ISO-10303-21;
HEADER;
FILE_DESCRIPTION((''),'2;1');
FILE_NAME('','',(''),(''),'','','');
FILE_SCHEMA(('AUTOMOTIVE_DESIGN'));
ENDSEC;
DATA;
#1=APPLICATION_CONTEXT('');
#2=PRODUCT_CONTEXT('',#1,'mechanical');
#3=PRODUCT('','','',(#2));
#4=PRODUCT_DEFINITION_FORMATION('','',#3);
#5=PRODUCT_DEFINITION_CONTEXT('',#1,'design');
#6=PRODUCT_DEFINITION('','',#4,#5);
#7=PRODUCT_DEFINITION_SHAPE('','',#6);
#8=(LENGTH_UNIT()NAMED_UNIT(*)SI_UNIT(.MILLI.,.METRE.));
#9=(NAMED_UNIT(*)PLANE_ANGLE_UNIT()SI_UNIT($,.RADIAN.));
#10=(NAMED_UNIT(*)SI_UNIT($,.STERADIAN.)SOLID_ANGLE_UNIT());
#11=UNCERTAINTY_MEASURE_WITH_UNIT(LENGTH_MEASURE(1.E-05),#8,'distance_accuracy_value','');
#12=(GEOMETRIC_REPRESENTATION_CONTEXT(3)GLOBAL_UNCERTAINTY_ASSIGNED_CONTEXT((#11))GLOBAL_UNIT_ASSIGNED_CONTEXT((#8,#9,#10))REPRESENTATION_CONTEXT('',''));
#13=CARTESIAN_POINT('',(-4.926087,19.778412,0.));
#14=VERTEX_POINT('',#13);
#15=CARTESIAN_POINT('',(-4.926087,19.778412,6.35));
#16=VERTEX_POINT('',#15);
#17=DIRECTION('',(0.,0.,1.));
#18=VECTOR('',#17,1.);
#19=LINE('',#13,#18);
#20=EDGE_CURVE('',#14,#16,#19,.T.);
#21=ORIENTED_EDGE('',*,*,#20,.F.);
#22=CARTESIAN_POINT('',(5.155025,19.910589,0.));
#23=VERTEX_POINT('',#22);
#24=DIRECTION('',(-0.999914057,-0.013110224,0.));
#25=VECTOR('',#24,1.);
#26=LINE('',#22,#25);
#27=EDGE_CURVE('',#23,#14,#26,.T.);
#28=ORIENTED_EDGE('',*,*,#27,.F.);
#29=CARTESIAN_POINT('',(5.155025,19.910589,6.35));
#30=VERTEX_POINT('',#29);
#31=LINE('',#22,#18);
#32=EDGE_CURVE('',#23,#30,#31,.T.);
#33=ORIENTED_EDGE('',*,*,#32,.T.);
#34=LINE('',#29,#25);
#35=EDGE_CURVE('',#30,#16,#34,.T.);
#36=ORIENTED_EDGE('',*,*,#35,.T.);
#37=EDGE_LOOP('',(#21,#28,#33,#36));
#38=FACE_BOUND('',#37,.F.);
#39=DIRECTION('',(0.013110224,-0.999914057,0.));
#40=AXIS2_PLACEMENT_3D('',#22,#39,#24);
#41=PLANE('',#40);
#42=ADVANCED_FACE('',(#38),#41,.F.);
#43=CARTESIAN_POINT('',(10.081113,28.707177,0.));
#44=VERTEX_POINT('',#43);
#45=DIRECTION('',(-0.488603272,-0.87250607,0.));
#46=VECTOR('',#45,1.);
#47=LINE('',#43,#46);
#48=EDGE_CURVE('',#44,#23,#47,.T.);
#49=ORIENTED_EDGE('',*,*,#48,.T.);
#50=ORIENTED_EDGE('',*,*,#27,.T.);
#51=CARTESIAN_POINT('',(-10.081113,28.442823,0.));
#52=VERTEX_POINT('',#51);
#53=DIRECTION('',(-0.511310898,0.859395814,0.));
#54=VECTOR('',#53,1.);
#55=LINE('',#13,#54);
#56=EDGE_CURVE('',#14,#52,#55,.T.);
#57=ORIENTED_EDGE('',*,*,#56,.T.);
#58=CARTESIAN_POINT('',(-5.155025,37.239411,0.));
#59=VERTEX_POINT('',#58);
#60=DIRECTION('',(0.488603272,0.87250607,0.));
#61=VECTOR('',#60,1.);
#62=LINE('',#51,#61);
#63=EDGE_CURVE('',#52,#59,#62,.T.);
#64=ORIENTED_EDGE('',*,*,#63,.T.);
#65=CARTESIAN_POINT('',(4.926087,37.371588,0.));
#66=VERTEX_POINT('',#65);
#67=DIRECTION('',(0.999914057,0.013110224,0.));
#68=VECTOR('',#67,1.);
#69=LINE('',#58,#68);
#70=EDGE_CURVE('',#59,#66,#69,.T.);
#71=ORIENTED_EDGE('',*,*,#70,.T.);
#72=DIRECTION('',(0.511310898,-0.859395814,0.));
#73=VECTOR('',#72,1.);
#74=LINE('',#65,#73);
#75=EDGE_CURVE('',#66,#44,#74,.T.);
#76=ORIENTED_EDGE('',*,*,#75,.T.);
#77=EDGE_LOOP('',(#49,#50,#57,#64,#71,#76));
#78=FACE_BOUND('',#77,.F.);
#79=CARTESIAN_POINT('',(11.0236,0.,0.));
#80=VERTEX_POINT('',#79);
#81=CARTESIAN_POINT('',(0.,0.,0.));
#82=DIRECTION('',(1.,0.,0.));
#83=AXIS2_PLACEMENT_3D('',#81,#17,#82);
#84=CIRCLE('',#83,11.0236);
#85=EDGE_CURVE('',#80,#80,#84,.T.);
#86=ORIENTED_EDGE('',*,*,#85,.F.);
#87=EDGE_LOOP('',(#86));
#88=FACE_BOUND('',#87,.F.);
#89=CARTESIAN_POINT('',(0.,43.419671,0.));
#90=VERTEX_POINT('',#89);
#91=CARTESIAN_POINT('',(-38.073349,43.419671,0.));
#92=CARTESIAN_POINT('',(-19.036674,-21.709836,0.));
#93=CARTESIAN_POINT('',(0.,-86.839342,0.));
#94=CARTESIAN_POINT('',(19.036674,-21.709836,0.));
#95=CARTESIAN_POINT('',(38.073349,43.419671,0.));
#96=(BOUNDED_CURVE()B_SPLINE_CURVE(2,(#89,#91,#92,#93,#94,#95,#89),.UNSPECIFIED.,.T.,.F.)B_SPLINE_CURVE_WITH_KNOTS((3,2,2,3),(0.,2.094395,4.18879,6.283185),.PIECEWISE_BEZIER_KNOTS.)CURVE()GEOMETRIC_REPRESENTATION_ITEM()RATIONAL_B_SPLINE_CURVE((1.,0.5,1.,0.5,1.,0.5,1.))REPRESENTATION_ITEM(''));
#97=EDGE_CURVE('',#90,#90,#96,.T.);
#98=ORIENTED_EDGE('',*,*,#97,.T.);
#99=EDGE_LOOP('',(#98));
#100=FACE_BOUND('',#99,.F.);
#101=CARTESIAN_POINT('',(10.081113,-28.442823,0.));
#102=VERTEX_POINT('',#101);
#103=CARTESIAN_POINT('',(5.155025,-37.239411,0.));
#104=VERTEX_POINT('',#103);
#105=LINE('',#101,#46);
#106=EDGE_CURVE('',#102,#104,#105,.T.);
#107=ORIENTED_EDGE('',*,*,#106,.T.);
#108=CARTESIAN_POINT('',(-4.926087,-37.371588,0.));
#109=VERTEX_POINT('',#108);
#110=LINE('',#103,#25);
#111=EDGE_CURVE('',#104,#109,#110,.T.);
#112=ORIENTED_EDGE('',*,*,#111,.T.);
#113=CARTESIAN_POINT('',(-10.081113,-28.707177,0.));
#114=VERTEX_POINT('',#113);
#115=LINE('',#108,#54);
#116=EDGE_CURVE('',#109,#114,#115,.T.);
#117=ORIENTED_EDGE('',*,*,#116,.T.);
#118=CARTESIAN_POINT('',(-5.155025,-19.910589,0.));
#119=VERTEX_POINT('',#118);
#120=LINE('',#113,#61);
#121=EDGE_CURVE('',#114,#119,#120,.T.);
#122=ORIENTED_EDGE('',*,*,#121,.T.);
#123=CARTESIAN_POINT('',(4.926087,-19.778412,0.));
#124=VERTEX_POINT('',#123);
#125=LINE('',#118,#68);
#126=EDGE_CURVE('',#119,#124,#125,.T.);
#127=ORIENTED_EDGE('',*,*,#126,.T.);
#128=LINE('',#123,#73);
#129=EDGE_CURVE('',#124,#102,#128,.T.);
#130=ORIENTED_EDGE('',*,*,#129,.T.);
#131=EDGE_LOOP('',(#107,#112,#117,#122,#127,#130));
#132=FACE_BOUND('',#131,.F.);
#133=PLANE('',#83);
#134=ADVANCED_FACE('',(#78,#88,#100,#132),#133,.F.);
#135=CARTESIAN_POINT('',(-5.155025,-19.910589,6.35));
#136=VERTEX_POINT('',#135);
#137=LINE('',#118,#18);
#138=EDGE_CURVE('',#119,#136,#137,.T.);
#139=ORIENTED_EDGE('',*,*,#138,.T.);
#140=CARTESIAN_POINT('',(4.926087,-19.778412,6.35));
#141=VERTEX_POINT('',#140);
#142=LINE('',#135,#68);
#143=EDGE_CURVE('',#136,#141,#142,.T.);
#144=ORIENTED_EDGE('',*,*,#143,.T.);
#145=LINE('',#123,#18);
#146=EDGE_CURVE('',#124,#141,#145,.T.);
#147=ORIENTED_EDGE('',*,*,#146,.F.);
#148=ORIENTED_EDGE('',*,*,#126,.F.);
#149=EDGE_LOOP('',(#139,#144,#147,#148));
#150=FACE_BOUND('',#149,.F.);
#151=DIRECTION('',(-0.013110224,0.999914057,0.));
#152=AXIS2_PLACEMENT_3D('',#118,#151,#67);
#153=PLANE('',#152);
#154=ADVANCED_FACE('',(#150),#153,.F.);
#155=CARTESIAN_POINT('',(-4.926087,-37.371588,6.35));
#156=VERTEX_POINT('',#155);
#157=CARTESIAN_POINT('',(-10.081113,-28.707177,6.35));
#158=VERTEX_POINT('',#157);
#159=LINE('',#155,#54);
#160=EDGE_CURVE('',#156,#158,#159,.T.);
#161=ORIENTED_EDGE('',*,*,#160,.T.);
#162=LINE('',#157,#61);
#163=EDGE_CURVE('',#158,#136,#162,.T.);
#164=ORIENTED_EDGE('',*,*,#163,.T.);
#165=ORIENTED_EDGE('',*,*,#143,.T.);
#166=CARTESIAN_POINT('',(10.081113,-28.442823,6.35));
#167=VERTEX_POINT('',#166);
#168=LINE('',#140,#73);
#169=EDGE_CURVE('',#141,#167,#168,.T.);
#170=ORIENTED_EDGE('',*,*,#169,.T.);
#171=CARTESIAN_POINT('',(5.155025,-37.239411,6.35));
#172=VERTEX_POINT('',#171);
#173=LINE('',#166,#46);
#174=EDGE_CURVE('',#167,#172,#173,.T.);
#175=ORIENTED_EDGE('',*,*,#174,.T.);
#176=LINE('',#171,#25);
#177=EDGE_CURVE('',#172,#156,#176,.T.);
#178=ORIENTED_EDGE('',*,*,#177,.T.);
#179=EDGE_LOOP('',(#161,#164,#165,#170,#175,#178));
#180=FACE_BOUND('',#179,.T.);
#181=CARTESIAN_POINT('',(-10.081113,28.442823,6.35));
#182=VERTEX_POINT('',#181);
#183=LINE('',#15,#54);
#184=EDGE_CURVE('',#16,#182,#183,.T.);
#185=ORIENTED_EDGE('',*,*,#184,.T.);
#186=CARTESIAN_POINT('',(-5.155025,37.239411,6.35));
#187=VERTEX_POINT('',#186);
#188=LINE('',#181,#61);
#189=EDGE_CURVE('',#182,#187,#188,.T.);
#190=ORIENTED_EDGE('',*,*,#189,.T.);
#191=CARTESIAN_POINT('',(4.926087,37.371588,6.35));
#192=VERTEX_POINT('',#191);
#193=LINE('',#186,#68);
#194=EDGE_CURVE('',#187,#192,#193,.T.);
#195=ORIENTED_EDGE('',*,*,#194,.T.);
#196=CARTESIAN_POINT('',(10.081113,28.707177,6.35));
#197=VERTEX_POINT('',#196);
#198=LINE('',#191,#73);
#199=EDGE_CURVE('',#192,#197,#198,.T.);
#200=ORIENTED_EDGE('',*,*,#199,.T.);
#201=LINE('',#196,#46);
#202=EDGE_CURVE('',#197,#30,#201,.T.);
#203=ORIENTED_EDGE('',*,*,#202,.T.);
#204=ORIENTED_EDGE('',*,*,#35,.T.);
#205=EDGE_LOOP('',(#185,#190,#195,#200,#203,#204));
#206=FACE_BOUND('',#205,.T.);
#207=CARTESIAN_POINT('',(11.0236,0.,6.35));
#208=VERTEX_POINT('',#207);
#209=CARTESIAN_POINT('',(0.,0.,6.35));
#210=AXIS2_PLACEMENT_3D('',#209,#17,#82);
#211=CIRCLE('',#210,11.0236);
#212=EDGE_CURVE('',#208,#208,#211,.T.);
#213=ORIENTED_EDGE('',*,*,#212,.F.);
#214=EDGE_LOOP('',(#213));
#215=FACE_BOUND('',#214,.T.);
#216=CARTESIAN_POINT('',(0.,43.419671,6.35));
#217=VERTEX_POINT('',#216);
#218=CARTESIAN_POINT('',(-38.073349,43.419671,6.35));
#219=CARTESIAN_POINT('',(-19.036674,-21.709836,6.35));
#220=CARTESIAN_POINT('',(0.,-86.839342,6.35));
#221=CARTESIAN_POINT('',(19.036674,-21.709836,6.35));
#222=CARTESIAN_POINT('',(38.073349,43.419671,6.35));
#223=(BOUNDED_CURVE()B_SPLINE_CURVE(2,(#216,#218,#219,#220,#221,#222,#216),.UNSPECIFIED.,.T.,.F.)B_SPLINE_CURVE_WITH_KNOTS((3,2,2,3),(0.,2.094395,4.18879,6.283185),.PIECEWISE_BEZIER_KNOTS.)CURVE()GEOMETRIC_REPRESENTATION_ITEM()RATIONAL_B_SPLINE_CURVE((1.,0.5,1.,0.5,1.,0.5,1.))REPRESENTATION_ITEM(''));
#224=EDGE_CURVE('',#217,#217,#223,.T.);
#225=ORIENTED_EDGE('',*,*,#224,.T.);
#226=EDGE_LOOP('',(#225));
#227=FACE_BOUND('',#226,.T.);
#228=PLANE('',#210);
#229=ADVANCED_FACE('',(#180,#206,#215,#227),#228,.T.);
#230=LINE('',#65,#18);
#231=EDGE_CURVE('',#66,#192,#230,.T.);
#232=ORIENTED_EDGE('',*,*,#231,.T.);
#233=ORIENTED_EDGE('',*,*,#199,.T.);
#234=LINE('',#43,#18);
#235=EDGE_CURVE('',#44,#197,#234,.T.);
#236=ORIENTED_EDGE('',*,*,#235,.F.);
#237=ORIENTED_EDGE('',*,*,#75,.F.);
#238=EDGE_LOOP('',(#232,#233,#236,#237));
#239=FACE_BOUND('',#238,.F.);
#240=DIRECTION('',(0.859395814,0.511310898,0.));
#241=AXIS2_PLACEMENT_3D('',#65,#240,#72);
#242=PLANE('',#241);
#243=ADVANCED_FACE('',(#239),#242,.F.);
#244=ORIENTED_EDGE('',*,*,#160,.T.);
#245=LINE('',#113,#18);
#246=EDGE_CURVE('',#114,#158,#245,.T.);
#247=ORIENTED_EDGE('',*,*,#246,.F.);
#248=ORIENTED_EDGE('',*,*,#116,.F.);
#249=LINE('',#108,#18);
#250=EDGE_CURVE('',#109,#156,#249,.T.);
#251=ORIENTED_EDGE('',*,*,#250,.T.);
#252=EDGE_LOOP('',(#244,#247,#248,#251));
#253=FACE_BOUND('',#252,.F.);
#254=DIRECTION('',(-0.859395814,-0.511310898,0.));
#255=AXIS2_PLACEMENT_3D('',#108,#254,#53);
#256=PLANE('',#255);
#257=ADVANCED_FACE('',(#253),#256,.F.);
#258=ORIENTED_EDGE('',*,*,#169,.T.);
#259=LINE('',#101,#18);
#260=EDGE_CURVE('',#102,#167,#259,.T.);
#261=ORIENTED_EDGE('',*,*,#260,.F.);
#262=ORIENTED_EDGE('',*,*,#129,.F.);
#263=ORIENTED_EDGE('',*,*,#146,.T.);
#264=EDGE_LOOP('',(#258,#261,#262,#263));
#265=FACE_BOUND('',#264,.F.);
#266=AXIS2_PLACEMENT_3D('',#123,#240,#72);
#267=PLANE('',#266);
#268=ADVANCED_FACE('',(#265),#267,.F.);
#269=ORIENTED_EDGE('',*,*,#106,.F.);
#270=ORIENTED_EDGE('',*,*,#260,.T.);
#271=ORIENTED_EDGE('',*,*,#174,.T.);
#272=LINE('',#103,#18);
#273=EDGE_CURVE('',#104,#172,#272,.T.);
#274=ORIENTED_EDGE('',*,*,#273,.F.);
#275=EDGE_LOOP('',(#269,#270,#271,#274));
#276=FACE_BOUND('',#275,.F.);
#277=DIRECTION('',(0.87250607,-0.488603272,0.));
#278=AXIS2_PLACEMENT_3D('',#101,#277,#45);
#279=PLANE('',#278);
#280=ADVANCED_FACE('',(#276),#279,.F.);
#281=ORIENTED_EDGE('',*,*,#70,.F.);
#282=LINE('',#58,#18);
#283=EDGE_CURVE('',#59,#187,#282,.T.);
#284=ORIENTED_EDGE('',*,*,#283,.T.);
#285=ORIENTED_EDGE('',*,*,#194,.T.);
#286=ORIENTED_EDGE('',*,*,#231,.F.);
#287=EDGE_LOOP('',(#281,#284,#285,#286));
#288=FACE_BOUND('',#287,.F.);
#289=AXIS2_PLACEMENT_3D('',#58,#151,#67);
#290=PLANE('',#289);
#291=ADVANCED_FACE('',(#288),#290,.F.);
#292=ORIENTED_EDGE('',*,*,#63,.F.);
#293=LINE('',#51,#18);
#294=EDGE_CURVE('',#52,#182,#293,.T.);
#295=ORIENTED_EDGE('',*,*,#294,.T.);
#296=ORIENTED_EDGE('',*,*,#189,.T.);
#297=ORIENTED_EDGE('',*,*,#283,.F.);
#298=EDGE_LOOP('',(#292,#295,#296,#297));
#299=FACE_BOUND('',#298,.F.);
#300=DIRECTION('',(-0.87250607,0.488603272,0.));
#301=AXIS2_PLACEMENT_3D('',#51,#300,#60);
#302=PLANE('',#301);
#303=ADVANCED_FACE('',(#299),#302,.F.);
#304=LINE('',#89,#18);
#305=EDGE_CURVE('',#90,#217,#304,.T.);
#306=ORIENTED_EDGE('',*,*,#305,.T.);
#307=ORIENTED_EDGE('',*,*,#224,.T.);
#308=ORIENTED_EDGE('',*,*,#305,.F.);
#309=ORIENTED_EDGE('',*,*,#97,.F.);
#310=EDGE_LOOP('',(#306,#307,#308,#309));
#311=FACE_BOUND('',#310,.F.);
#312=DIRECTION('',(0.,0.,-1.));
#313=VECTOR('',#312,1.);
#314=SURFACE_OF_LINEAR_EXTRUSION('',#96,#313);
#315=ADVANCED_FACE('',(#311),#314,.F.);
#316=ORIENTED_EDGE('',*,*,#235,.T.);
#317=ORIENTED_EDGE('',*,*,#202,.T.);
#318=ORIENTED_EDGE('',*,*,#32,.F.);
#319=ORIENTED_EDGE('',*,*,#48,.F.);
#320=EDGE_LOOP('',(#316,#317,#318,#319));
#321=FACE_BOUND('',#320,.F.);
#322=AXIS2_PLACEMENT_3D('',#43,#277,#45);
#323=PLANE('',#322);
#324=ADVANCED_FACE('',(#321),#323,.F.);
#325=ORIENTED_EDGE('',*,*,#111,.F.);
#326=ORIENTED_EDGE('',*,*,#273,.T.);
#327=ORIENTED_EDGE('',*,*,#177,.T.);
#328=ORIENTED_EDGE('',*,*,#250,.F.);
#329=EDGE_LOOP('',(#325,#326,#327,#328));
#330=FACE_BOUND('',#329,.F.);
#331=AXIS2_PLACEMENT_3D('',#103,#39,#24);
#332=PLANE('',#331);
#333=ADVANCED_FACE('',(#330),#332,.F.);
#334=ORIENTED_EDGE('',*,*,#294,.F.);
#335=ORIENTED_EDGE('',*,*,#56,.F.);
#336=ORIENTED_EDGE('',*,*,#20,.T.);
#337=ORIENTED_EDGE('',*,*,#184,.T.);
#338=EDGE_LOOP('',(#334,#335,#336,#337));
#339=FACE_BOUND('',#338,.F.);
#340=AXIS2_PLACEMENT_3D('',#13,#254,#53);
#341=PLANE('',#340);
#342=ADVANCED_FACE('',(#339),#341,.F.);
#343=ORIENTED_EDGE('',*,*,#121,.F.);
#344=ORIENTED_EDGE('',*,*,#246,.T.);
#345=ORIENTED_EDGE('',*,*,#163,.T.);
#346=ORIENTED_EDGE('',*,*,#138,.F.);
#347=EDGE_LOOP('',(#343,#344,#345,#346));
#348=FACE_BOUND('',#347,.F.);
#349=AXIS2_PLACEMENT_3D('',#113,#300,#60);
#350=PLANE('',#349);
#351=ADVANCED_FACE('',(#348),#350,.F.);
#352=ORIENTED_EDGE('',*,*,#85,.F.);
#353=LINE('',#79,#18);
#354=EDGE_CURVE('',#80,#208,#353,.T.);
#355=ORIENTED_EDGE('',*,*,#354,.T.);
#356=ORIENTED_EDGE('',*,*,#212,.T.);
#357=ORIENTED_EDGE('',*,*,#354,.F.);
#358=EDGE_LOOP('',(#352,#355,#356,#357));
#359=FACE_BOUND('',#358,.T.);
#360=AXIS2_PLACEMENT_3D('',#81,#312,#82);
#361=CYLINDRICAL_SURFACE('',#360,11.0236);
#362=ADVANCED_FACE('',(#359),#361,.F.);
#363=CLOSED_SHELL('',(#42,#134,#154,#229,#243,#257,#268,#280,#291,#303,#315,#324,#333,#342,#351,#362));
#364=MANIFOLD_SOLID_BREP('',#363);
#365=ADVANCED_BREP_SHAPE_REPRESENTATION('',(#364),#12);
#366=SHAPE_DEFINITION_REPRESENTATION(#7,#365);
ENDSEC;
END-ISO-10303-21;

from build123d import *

# Parameters (mm, degrees)
F0_R     = 14.2875
F0_R_2   = 11.0236
F1_DEPTH = 6.35


with BuildPart() as f1:
    # F0 (on Top) → F1 (new body)
    with BuildSketch(Plane.XY):
        with BuildLine():
            add(Edge.make_bspline(
                [(0, 43.419671), (-38.073349, 43.419671), (-19.036674, -21.709836), (0, -86.839342), (19.036674, -21.709836), (38.073349, 43.419671), (0, 43.419671)],
                knots=[0, 0, 0, 2.094395, 2.094395, 4.18879, 4.18879, 6.283185, 6.283185, 6.283185], degree=2, weights=[1, 0.5, 1, 0.5, 1, 0.5, 1]))
        make_face()
        Polygon((6.210255, -17.346334), (12.829438, -28.338905), (6.619183, -39.567571), (-6.210255, -39.803666), (-12.829438, -28.811095), (-6.619183, -17.582429), align=None, mode=Mode.SUBTRACT)
        Polygon((-6.619183, 39.567571), (6.210255, 39.803666), (12.829438, 28.811095), (6.619183, 17.582429), (-6.210255, 17.346334), (-12.829438, 28.338905), align=None, mode=Mode.SUBTRACT)
        Circle(F0_R, mode=Mode.SUBTRACT)
        Polygon((12.829438, 28.811095), (6.210255, 39.803666), (-6.619183, 39.567571), (-12.829438, 28.338905), (-6.210255, 17.346334), (6.619183, 17.582429), align=None)
        Polygon((4.926087, 37.371588), (10.081113, 28.707177), (5.155025, 19.910589), (-4.926087, 19.778412), (-10.081113, 28.442823), (-5.155025, 37.239411), align=None, mode=Mode.SUBTRACT)
        Circle(F0_R)
        Circle(F0_R_2, mode=Mode.SUBTRACT)
        Polygon((6.619183, -39.567571), (12.829438, -28.338905), (6.210255, -17.346334), (-6.619183, -17.582429), (-12.829438, -28.811095), (-6.210255, -39.803666), align=None)
        Polygon((10.081113, -28.442823), (5.155025, -37.239411), (-4.926087, -37.371588), (-10.081113, -28.707177), (-5.155025, -19.910589), (4.926087, -19.778412), align=None, mode=Mode.SUBTRACT)
    extrude(amount=F1_DEPTH)


solid = f1.part
